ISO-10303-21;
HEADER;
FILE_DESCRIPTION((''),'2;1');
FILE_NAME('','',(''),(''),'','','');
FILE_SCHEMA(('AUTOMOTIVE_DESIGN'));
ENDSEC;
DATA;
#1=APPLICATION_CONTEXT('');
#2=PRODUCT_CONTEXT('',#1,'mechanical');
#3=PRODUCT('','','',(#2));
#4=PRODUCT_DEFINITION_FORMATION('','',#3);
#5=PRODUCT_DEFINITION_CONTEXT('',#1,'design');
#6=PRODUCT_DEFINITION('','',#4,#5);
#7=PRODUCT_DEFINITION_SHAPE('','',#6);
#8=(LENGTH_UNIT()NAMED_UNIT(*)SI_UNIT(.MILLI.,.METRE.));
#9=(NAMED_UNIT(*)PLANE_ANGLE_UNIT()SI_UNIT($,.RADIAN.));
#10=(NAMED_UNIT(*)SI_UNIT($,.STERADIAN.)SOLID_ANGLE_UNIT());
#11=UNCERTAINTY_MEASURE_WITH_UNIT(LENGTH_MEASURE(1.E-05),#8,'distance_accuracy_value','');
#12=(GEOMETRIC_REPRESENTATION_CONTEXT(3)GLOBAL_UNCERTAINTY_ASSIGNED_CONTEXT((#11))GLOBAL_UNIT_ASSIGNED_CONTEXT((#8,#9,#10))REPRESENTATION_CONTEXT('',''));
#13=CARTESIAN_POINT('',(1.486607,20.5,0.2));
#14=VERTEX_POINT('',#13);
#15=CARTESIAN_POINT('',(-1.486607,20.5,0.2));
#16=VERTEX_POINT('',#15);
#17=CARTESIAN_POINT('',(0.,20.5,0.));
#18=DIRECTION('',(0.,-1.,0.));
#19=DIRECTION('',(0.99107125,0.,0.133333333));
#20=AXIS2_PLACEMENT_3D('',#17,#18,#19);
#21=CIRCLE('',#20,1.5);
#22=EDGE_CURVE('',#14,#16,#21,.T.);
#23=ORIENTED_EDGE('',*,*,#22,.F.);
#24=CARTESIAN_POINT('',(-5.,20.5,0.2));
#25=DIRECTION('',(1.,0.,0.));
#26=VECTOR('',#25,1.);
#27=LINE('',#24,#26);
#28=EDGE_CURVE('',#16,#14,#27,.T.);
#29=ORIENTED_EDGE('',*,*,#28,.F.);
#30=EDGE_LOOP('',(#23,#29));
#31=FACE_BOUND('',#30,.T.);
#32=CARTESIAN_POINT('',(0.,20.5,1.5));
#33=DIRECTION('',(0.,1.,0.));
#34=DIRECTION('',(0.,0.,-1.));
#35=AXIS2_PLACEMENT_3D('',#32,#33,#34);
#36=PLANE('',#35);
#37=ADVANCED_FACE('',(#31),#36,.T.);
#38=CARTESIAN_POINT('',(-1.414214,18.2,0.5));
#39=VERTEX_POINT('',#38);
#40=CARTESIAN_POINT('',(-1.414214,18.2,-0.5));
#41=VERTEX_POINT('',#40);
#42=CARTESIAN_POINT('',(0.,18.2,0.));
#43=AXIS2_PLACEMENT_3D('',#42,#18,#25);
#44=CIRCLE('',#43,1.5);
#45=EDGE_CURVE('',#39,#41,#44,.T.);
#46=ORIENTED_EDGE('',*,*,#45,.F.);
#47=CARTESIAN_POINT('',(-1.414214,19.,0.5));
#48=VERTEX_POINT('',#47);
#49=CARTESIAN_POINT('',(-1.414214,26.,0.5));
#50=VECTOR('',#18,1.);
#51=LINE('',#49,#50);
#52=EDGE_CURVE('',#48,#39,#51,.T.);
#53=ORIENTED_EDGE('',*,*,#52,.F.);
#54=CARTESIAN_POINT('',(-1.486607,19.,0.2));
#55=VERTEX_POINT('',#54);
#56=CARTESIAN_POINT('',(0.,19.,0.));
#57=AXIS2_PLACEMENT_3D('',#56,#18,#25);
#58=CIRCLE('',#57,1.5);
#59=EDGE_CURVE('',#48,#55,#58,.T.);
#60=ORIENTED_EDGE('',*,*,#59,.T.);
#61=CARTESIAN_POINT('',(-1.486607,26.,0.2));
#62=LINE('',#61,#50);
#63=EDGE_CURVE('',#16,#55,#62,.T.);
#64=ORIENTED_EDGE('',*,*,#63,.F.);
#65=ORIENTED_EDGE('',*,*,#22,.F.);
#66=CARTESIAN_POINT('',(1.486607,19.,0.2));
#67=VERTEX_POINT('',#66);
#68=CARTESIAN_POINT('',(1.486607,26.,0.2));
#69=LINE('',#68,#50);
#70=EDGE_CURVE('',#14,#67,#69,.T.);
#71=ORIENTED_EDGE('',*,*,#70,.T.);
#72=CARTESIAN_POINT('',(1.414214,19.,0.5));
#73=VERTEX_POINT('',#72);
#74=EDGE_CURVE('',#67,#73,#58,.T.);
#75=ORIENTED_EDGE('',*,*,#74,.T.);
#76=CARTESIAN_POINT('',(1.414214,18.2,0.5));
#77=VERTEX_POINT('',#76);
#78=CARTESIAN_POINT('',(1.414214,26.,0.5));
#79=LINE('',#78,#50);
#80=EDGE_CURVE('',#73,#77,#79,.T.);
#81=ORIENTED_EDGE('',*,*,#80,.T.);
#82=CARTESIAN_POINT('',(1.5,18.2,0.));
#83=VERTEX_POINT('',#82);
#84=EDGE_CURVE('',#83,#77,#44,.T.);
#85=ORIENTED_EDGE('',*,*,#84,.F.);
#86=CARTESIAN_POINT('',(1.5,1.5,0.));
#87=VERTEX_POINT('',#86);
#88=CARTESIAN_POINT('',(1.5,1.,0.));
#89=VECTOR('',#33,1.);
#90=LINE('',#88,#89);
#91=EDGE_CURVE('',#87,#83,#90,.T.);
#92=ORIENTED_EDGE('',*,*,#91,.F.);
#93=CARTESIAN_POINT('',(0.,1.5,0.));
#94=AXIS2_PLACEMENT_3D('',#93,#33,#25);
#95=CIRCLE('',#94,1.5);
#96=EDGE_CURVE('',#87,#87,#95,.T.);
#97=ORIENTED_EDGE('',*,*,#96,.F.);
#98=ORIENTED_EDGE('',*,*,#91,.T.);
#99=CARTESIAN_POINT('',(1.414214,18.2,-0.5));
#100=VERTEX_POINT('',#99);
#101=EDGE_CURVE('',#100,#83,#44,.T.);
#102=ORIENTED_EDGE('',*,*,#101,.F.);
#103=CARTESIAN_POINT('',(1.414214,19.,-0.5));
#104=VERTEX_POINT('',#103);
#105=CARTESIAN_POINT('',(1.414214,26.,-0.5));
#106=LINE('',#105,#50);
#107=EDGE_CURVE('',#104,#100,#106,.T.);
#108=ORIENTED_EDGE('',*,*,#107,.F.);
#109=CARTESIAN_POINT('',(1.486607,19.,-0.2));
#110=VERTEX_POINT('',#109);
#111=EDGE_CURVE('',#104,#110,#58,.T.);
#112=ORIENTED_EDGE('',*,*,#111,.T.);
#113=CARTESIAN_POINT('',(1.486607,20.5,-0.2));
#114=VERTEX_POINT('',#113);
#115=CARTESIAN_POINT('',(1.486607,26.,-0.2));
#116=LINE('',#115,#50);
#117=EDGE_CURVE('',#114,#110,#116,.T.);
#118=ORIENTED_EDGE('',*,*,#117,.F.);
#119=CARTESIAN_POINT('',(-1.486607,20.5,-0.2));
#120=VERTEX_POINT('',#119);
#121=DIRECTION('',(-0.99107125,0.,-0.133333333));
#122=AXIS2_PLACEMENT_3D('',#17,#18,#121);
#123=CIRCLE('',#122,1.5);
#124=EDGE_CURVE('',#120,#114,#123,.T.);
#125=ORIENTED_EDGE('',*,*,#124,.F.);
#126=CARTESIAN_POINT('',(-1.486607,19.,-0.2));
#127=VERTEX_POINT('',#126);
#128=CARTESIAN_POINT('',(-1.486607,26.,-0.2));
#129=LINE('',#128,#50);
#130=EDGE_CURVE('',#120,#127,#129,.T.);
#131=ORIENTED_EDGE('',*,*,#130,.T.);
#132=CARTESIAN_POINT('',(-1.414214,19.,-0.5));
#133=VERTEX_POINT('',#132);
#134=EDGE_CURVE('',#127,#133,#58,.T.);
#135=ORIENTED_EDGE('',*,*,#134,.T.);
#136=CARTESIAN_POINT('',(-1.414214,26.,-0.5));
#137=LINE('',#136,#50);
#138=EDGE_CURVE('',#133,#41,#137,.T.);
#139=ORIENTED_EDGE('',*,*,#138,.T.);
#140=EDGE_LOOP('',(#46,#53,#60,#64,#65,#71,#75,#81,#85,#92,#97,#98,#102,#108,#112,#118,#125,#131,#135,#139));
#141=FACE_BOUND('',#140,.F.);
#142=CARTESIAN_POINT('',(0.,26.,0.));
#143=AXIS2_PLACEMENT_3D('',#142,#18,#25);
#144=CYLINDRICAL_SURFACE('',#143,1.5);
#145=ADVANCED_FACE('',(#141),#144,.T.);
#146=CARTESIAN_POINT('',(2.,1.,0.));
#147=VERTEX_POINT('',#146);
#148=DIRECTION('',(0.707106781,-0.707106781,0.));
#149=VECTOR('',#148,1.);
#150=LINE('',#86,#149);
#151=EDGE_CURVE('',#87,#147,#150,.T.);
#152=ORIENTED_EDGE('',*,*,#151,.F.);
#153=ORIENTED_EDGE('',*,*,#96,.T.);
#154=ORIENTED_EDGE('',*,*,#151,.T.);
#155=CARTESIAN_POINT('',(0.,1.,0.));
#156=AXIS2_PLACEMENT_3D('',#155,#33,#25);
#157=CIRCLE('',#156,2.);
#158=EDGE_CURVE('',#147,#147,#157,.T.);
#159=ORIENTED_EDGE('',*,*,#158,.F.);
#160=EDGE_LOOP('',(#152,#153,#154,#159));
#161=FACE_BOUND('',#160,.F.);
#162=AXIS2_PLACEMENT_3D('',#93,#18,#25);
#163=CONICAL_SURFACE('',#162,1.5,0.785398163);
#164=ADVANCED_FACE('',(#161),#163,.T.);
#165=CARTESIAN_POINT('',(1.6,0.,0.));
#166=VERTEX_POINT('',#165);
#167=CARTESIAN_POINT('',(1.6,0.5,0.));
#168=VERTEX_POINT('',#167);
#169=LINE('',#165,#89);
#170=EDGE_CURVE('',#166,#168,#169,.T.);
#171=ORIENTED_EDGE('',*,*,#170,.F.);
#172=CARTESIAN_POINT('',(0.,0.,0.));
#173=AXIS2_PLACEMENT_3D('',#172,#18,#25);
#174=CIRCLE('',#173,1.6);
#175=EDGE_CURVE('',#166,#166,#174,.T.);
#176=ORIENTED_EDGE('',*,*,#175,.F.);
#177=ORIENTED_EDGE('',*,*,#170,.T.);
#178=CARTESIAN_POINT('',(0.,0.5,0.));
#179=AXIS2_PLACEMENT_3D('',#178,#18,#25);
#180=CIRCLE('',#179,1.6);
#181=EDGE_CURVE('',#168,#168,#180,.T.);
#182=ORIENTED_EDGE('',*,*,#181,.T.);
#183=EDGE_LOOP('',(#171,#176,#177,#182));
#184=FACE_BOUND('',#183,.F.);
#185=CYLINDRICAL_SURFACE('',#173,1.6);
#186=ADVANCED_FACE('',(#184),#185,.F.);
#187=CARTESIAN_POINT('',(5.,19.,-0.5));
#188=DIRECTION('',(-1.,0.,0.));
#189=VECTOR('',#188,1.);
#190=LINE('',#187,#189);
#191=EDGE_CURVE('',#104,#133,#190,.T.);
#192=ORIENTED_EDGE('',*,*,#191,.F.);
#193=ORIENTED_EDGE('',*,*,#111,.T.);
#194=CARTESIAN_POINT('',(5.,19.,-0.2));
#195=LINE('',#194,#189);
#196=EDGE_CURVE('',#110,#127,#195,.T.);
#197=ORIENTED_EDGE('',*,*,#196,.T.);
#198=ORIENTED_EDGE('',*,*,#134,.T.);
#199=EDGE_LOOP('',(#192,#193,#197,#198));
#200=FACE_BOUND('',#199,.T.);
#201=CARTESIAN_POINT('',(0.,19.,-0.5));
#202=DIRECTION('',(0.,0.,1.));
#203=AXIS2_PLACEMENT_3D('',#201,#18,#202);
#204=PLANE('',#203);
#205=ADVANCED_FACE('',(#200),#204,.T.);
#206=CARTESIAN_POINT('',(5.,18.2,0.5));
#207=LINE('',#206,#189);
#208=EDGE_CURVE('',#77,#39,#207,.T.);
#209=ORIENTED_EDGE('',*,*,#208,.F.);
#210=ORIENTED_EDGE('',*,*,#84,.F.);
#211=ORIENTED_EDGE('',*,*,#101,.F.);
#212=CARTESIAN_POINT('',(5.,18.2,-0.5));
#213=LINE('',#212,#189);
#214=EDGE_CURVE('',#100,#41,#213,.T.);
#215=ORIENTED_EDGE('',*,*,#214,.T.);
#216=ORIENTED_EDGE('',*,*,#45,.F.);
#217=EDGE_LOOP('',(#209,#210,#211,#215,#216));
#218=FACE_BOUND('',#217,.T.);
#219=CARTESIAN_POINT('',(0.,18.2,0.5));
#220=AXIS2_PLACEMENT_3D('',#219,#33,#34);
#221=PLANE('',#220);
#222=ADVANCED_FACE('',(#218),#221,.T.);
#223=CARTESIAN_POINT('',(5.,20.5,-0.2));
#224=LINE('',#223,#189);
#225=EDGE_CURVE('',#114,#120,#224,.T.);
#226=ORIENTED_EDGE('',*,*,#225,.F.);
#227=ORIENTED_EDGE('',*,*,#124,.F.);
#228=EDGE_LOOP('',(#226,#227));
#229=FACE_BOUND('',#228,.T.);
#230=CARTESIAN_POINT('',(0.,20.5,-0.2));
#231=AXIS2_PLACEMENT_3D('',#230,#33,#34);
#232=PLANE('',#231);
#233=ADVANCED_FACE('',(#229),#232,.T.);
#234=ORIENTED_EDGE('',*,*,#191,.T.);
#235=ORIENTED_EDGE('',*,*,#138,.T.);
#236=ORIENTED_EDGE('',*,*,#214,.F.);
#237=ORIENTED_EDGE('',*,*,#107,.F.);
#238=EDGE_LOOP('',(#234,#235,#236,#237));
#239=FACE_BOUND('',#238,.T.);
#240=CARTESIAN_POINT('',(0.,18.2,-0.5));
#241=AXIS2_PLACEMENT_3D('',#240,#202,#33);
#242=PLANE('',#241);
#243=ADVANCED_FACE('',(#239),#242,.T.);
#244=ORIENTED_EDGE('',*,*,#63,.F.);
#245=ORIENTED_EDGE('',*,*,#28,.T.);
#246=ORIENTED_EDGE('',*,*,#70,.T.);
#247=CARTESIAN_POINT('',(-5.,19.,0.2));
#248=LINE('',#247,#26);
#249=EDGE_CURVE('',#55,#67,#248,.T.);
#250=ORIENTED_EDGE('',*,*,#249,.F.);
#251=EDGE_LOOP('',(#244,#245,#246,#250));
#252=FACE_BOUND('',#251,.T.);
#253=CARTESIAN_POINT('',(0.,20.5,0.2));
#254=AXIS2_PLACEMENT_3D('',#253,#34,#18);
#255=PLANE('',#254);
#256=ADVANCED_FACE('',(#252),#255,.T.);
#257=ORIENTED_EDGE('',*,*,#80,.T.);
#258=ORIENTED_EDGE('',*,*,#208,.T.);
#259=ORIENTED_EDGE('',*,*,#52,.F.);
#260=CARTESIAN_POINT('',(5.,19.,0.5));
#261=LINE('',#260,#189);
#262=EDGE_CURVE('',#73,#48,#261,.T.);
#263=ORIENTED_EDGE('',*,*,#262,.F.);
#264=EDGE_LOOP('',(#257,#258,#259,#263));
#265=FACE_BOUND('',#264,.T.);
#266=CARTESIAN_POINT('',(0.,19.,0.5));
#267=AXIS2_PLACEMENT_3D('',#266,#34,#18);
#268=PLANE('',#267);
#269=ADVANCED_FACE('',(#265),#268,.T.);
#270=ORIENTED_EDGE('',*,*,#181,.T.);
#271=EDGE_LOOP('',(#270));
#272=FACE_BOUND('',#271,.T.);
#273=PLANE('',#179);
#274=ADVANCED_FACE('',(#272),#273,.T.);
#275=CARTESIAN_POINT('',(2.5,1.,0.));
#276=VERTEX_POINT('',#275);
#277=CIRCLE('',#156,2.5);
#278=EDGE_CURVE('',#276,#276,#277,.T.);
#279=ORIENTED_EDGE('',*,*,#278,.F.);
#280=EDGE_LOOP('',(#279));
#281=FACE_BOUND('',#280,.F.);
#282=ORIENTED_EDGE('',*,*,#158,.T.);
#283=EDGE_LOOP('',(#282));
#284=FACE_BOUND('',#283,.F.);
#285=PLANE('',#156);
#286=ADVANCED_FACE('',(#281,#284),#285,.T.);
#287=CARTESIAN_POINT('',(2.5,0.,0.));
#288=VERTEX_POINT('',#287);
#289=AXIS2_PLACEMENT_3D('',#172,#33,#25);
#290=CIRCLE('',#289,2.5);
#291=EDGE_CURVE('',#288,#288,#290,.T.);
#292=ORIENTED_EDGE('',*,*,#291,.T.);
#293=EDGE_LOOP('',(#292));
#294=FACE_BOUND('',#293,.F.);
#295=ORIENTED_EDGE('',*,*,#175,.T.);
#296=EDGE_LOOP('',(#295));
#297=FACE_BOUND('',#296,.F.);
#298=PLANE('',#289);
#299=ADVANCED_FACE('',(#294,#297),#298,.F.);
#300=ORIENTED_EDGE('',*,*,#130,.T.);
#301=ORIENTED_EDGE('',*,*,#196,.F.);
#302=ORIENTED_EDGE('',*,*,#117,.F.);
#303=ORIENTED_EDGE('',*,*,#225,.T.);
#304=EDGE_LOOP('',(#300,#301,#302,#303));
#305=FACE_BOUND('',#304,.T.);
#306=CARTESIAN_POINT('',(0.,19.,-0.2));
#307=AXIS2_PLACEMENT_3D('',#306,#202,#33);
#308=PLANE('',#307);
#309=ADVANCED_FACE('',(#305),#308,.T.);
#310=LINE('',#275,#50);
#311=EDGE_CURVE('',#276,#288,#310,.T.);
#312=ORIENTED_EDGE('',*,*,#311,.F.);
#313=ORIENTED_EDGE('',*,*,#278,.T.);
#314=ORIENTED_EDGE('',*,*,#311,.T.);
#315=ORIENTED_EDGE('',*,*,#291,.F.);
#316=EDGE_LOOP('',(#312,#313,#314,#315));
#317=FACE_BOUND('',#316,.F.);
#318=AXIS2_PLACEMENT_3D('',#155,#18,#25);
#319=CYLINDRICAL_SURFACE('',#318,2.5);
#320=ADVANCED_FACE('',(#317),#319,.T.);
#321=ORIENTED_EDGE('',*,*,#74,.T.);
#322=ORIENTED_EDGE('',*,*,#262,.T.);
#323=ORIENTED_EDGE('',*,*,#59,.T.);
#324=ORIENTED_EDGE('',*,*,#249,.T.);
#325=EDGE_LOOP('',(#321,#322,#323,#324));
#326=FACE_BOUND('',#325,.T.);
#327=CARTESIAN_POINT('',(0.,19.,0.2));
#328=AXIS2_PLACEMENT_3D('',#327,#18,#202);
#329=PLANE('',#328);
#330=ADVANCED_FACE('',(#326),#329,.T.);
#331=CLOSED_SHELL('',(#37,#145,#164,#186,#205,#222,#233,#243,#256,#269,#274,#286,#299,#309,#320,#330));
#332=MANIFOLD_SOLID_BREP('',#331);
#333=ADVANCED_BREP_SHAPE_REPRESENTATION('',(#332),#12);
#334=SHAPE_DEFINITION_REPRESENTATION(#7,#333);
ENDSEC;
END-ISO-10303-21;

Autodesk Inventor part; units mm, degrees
ref_plane "YZ Plane" through (0, 0, 0) normal (1, 0, 0) x (0, 1, 0)
ref_plane "XZ Plane" through (0, 0, 0) normal (0, 1, 0) x (-1, 0, 0)
ref_plane "XY Plane" through (0, 0, 0) normal (0, 0, 1) x (1, 0, 0)
sketch "Sketch1" plane through (0, 0, 0) normal (0, 0, 1) x (1, 0, 0)
  line L0 (0, 0) -> (0, 26)
  line L1 (0, 26) -> (1.5, 26)
  line L2 (1.5, 26) -> (1.5, 1)
  line L3 (1.5, 1) -> (2.5, 1)
  line L4 (2.5, 1) -> (2.5, 0)
  line L5 (2.5, 0) -> (0, 0)
  line L6 (1.5, 26) -> (4, 26)
  line L7 (4, 26) -> (4, 24)
  line L8 (4, 24) -> (1.5, 24)
  line L9 (1.5, 24) -> (1.5, 26)
  point P0 (1.5, 24)
  dimension "d0" = 2.5
  dimension "d1" = 1.5
  dimension "d2" = 1
  dimension "d3" = 26
  dimension "d5" = 2
  dimension "d6" = 4
revolve "Revolution1" add sketch "Sketch1" angle 360 about axis through (0, 0, 0) along (0, 1, 0) contours L0 L1 L2 L3 L4 L5
sketch "Sketch2" plane through (0, 0, 0) normal (0, -1, 0) x (1, 0, 0)
  circle A0 centre (0, 0) radius 1.6
  dimension "d10" = 3.2
extrude "Extrusion1" cut sketch "Sketch2" against normal blind 0.5
chamfer "Chamfer1" distance 0.5 angle 45 1 edges at (-1.5, 1, 0)
sketch "Sketch3" plane through (0, 0, 0) normal (1, 0, 0) x (0, 1, 0)
  line L0 (1.5, 1.5) -> (26, 1.5) projected
  line L1 (20.5, 1.5) -> (20.5, 0.2)
  line L2 (20.5, 0.2) -> (19, 0.2)
  line L3 (19, 0.2) -> (19, 0.5)
  line L4 (19, 0.5) -> (18.2, 0.5)
  line L5 (18.2, 0.5) -> (18.2, -0.5)
  line L6 (18.2, -0.5) -> (19, -0.5)
  line L7 (19, -0.5) -> (19, -0.2)
  line L8 (19, -0.2) -> (20.5, -0.2)
  line L9 (20.5, -0.2) -> (20.5, -1.5)
  line L10 (1.5, -1.5) -> (26, -1.5) projected
  line L11 (26, 0) -> (62.914, 0) construction
  line L12 (20.5, 1.5) -> (26, 1.5)
  line L13 (1.5, 1.5) -> (26, 1.5) projected
  line L14 (26, -1.5) -> (26, 1.5) projected
  line L15 (26, -1.5) -> (26, 1.5)
  line L16 (26, 1.5) -> (26, -1.5)
  line L17 (20.5, -1.5) -> (26, -1.5)
  line L18 (26, 0) -> (18.2, 0) construction
  point P0 (0, 0)
  dimension "d16" = 0.4
  dimension "d17" = 1.5
  dimension "d18" = 0.8
  dimension "d19" = 1
  dimension "d23" = 5.5
  dimension "d24" = 1.3
extrude "Extrusion2" cut sketch "Sketch3" along normal mid plane 10
properties part number "Taster"
